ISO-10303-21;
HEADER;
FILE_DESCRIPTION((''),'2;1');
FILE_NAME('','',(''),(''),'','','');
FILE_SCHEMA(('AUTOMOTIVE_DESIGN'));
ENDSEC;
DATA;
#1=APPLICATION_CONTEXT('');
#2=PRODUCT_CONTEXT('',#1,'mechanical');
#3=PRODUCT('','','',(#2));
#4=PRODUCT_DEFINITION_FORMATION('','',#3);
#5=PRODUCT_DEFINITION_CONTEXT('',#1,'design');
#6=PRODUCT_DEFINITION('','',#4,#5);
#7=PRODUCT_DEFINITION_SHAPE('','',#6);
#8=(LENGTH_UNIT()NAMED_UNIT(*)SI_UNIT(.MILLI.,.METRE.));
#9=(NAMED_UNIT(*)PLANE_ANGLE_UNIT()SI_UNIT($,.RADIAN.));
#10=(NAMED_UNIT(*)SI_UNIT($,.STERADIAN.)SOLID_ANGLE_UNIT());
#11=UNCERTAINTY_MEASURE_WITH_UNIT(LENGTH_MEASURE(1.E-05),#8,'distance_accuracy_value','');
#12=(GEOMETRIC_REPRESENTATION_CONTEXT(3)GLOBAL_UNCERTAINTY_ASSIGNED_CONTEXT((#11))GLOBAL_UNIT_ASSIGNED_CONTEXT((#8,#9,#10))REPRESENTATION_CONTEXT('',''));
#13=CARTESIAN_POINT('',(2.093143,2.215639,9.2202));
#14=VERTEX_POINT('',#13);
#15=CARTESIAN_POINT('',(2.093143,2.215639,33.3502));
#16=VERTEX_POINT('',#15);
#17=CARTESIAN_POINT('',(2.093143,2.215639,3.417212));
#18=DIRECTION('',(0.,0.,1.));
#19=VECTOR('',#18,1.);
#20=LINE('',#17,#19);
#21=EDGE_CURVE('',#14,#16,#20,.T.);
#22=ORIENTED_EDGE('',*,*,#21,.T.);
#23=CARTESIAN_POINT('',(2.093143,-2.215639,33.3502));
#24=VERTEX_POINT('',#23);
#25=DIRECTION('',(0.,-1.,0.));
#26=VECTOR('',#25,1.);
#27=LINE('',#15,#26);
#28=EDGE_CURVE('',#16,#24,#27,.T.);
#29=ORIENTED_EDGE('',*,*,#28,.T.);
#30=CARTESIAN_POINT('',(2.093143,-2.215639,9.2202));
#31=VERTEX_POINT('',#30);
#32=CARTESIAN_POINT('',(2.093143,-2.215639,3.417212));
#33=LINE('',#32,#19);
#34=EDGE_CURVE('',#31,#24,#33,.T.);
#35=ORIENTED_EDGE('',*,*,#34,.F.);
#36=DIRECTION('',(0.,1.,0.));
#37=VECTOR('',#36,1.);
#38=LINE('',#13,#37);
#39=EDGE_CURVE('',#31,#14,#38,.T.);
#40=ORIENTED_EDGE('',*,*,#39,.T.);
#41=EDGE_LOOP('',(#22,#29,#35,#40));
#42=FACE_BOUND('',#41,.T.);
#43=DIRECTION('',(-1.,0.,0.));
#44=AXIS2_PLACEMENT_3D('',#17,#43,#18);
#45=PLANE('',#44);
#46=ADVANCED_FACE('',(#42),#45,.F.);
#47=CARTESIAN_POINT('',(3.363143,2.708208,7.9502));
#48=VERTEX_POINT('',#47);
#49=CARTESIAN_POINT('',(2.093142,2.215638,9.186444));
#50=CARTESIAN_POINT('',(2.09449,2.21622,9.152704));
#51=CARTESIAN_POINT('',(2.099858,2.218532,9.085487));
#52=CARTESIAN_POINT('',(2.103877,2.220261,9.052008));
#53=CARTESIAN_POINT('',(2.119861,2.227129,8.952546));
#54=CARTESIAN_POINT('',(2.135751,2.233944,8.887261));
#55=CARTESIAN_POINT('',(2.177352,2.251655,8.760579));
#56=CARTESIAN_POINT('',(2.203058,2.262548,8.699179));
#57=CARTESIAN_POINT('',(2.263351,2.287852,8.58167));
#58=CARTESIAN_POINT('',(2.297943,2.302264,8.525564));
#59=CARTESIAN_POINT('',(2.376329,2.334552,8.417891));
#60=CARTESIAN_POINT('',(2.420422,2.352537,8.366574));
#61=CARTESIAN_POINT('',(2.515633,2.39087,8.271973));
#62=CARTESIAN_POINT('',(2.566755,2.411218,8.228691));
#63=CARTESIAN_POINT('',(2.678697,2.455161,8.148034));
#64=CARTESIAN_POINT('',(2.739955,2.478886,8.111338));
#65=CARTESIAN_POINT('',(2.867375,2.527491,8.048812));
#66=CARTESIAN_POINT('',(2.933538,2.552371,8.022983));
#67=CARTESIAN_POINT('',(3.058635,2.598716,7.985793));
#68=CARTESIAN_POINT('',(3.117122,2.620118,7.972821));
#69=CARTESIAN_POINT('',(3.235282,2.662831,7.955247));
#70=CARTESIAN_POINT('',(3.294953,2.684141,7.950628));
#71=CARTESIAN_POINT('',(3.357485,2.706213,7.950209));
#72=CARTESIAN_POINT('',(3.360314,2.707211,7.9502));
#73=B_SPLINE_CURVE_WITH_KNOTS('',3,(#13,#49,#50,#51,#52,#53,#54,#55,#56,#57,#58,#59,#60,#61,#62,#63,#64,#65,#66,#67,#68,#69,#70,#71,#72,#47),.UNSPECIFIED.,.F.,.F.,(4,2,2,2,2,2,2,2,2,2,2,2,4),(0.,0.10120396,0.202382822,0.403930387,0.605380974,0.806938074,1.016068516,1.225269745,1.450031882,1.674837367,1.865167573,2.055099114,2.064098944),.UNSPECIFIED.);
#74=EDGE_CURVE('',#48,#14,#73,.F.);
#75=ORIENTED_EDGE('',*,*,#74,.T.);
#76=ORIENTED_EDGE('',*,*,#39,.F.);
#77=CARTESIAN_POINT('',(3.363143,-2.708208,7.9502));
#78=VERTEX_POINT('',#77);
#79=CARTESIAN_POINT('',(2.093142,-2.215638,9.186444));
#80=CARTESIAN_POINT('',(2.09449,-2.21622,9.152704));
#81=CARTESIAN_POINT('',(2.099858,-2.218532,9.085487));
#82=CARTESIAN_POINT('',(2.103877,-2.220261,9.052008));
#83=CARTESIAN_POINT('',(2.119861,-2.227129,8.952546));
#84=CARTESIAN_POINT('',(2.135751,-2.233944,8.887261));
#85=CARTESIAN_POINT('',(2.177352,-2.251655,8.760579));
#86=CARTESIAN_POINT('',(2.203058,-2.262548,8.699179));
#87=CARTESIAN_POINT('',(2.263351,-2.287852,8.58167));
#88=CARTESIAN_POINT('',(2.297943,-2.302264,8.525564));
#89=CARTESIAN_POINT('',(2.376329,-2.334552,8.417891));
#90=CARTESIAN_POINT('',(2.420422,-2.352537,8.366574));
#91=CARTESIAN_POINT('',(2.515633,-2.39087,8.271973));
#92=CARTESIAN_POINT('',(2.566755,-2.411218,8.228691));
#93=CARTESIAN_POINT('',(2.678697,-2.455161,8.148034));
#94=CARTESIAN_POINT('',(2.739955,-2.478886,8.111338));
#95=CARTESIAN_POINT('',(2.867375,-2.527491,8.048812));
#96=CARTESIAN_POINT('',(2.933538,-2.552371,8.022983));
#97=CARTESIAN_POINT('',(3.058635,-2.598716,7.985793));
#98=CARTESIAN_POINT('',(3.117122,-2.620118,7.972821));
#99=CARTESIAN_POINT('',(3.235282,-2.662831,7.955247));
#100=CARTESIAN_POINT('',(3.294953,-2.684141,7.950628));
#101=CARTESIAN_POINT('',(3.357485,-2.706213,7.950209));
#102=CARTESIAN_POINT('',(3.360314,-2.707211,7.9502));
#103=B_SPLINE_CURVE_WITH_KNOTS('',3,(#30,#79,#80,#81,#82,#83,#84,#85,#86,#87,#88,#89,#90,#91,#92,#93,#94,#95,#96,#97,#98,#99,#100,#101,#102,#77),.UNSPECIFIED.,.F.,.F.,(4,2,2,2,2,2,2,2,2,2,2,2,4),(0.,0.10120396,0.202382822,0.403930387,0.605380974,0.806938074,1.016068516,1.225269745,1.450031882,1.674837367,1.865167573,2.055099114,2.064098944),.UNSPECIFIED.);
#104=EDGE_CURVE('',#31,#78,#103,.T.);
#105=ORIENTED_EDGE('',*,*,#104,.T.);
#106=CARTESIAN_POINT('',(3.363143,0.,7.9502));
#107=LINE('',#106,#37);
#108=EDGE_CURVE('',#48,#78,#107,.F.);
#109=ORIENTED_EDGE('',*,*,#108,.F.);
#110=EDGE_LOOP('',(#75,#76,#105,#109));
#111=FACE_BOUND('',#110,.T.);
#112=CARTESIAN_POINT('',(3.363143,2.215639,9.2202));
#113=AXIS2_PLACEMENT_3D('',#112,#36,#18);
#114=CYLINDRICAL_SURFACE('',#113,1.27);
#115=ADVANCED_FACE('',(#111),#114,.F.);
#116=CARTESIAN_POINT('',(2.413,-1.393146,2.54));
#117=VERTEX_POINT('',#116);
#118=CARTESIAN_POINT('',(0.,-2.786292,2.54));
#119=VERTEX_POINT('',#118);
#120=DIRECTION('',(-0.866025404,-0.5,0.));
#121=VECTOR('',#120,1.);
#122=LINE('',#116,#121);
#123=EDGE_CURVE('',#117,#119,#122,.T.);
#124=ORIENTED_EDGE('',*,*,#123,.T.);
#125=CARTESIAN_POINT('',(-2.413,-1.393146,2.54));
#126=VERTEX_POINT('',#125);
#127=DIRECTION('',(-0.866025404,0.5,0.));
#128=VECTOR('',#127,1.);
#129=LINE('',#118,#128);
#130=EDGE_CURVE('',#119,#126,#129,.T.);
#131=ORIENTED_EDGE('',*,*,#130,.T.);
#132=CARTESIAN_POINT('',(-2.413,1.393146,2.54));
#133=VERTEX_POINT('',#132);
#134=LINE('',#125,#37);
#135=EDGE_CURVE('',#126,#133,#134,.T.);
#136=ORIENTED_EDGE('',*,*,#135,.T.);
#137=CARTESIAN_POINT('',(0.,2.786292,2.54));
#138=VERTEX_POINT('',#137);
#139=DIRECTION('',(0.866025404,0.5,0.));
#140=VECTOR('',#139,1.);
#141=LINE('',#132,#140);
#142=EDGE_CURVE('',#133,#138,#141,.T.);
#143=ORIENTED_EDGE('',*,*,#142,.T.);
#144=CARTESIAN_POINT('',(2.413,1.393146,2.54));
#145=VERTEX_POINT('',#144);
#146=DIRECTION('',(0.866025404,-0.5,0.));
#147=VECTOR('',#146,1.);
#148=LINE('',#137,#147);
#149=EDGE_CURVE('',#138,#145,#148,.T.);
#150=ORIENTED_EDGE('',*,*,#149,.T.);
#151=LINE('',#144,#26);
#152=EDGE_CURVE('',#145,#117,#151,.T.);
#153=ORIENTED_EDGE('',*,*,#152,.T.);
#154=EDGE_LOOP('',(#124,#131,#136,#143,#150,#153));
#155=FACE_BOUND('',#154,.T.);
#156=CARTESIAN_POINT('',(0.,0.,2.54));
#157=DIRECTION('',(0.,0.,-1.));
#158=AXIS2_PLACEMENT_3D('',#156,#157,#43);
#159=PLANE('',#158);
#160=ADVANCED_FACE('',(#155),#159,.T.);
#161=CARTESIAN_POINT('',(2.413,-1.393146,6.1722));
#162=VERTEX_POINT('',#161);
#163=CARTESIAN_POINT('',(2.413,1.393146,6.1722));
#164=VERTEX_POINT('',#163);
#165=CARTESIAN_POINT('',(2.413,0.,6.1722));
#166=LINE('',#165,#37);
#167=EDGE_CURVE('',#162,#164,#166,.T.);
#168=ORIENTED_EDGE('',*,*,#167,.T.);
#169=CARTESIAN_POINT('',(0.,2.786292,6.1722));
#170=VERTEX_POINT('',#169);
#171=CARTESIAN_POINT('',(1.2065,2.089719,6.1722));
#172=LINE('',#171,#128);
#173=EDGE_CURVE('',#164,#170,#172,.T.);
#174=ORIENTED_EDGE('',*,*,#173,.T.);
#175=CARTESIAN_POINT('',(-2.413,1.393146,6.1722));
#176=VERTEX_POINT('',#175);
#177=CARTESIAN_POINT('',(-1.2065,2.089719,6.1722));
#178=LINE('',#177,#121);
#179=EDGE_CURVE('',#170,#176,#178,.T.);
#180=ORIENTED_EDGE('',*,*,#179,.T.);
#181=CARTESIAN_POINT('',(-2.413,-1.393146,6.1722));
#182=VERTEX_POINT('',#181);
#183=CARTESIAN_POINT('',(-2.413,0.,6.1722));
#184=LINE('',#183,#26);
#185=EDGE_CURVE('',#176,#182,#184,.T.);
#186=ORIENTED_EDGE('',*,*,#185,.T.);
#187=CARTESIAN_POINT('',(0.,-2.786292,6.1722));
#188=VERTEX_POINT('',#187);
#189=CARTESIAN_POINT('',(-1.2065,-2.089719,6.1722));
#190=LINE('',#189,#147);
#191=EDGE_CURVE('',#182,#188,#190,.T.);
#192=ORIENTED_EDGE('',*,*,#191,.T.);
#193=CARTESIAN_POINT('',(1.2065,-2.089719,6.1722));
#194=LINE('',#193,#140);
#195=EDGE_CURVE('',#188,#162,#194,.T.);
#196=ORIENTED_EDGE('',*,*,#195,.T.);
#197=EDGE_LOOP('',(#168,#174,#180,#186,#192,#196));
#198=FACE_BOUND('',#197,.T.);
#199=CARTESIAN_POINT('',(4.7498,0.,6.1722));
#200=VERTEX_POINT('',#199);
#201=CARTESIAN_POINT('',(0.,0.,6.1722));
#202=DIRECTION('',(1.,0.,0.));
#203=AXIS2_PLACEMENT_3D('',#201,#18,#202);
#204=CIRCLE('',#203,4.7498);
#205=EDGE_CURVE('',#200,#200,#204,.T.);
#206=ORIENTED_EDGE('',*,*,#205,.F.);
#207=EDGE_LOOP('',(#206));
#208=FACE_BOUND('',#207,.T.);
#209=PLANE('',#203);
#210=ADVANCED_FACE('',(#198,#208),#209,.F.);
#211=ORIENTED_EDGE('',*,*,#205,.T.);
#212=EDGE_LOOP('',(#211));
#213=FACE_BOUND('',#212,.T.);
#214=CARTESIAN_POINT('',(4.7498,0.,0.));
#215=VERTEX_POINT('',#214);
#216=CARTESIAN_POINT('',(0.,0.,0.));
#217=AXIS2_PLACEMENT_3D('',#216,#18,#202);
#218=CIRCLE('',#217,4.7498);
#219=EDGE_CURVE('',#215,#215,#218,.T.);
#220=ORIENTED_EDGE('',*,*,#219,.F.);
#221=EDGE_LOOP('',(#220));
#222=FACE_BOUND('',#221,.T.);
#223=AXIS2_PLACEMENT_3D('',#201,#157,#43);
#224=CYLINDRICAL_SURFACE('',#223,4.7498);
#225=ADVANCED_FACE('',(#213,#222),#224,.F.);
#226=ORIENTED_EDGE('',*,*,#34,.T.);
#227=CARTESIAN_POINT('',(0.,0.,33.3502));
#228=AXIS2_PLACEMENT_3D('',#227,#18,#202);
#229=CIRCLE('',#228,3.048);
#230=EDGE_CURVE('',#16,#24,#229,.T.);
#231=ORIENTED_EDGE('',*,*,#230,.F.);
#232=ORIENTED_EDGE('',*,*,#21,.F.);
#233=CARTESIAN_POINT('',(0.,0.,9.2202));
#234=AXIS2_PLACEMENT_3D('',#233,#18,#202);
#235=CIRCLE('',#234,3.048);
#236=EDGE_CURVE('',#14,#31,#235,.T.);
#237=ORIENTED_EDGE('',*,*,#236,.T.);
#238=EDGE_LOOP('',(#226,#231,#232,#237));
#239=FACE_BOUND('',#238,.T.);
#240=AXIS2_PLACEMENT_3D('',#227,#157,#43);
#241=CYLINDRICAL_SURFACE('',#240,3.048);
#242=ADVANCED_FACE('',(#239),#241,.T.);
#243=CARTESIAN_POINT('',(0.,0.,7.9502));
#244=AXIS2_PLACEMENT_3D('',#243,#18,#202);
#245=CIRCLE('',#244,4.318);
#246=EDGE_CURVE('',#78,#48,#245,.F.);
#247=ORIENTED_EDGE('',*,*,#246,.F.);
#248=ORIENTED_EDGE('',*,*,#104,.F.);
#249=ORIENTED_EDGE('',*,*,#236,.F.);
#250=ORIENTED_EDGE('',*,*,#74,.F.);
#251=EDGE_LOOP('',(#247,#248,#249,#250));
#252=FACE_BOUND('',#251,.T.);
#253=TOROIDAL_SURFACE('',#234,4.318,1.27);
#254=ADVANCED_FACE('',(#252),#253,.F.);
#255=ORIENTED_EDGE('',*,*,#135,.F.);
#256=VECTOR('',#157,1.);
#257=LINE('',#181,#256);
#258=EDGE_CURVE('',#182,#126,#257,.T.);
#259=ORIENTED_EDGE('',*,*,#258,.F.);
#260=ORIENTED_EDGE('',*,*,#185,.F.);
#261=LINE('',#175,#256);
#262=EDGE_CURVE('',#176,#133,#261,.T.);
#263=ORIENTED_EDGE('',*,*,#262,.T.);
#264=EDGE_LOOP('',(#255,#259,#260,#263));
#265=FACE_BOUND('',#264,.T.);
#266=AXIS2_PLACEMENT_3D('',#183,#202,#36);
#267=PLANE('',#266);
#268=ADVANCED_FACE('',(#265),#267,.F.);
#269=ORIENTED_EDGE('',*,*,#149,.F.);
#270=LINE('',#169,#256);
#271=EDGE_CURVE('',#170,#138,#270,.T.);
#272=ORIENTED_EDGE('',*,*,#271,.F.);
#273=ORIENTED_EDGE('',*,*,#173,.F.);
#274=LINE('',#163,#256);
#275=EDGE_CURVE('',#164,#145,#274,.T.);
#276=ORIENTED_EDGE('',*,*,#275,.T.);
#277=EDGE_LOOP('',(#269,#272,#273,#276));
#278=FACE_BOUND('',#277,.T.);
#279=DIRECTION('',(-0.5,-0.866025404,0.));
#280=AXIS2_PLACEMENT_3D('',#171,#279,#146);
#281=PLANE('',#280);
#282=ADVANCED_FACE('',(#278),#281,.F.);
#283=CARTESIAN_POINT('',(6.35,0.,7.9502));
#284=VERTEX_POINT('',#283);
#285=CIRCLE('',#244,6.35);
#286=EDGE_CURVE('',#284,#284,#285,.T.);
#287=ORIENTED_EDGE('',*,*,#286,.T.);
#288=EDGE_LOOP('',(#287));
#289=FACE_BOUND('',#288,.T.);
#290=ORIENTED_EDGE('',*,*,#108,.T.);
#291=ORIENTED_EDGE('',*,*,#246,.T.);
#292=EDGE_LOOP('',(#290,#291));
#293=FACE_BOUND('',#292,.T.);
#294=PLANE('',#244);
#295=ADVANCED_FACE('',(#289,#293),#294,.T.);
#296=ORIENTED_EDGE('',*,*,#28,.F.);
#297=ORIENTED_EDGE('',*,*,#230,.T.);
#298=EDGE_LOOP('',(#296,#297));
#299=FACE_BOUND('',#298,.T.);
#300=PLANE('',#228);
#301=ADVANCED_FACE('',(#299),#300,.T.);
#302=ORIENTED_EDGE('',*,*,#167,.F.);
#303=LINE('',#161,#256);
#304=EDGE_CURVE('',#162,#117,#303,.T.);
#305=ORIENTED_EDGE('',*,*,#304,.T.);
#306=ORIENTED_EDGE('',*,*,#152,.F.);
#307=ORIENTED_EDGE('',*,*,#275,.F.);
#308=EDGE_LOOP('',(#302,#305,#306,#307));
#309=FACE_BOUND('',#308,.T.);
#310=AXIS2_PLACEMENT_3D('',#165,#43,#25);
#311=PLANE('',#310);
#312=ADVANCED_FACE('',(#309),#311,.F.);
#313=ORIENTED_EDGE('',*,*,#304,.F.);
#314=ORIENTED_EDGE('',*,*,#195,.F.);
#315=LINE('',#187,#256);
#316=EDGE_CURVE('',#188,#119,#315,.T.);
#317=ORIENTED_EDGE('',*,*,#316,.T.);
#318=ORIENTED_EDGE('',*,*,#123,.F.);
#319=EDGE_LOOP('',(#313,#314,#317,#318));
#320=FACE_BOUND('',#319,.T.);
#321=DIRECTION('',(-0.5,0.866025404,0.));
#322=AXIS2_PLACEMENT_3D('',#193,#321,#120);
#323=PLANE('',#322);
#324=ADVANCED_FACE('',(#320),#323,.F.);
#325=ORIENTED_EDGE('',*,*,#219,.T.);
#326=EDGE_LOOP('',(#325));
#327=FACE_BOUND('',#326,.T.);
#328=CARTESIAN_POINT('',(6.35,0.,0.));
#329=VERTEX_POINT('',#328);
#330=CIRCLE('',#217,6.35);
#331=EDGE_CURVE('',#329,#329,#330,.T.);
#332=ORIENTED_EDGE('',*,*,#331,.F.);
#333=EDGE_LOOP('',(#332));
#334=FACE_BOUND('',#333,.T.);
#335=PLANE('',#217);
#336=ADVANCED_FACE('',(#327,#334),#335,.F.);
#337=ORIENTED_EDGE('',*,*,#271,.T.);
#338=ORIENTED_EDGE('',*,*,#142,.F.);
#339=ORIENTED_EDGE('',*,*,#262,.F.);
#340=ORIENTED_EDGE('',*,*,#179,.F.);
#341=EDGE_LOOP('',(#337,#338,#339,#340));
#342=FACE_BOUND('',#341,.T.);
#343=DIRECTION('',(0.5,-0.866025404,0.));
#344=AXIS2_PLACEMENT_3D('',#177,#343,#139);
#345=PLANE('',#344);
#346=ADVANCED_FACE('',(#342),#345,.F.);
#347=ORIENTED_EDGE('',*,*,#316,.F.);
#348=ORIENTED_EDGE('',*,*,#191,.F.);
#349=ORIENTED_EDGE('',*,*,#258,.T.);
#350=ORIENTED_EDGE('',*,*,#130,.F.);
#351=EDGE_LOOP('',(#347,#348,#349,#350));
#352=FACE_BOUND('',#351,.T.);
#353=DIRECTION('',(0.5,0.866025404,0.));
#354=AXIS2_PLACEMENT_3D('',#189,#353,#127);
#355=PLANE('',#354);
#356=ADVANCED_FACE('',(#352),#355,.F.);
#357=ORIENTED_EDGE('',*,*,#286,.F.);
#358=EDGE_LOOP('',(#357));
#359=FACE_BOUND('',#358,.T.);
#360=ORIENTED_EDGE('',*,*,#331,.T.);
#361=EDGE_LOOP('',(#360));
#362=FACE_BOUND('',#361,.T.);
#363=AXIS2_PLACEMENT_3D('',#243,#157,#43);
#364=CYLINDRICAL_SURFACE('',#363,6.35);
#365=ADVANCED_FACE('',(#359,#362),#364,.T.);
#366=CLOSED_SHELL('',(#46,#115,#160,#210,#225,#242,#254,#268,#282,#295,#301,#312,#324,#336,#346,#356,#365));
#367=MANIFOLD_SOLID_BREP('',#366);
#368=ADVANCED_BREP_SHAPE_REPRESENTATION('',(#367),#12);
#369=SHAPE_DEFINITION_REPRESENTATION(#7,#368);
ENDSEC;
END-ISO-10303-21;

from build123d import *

# Parameters (mm, degrees)
BOSS_EXTRUDE1_DEPTH   = 6.1722
SKETCH1_R             = 6.35
SKETCH1_R_2           = 4.7498
BOSS_EXTRUDE1_2_DEPTH = 6.1722
SKETCH2_R             = 6.35
BOSS_EXTRUDE2_DEPTH   = 1.778
SKETCH3_R             = 3.048
BOSS_EXTRUDE3_DEPTH   = 25.4
CUT_EXTRUDE1_START    = -25.4
CUT_EXTRUDE1_DEPTH    = 25.4
FILLET1_R             = 1.27
CUT_EXTRUDE2_DEPTH    = 2.54


with BuildPart() as part:
    # Sketch1 → Boss-Extrude1 (new body)
    with BuildSketch(Plane.XY):
        Polygon((-2.413, 1.3931462), (-2.413, -1.3931462), (0, -2.786292399), (2.413, -1.3931462), (2.413, 1.3931462), (0, 2.786292399), align=None)
    extrude(amount=BOSS_EXTRUDE1_DEPTH)



with BuildPart() as body_2:
    # Sketch1 → Boss-Extrude1 2 (new body)
    with BuildSketch(Plane.XY):
        Circle(SKETCH1_R)
        Circle(SKETCH1_R_2, mode=Mode.SUBTRACT)
    extrude(amount=BOSS_EXTRUDE1_2_DEPTH)


with BuildPart() as part_1:
    add(part.part)

    add(body_2.part)  # Boss-Extrude2 merges body 2
    # Sketch2 → Boss-Extrude2 (add)
    with BuildSketch(Plane.XY.offset(6.1722)):
        Circle(SKETCH2_R)
    extrude(amount=BOSS_EXTRUDE2_DEPTH)

    # Sketch3 → Boss-Extrude3 (add)
    with BuildSketch(Plane.XY.offset(7.9502)):
        with Locations(Location((0, 0, 0), (0, 0, 180))):
            Circle(SKETCH3_R)
    extrude(amount=BOSS_EXTRUDE3_DEPTH)

    # Sketch4 → Cut-Extrude1 (cut)
    with BuildSketch(Plane.XY.offset(33.3502).offset(CUT_EXTRUDE1_START)):
        with BuildLine():
            Line((2.093142983, 2.215639062), (2.093142983, -2.215639062))
            ThreePointArc((2.093142983, -2.215639062), (3.048, 0), (2.093142983, 2.215639062))
        make_face()
    extrude(amount=CUT_EXTRUDE1_DEPTH, mode=Mode.SUBTRACT)

    # Fillet1
    fillet1_edges = [part_1.edges().sort_by_distance(p)[0] for p in [
        (-3.048, 0, 7.9502),
        (2.093142983, 0, 7.9502),
    ]]
    fillet(fillet1_edges, radius=FILLET1_R)

    # Sketch5 → Cut-Extrude2 (cut)
    with BuildSketch(Plane(origin=(0, 0, 0), x_dir=(-1, 0, 0), z_dir=(0, 0, -1))):
        Polygon((2.413, -1.3931462), (2.413, 1.3931462), (0, 2.786292399), (-2.413, 1.3931462), (-2.413, -1.3931462), (0, -2.786292399), align=None)
    extrude(amount=-CUT_EXTRUDE2_DEPTH, mode=Mode.SUBTRACT)


solid = part_1.part
